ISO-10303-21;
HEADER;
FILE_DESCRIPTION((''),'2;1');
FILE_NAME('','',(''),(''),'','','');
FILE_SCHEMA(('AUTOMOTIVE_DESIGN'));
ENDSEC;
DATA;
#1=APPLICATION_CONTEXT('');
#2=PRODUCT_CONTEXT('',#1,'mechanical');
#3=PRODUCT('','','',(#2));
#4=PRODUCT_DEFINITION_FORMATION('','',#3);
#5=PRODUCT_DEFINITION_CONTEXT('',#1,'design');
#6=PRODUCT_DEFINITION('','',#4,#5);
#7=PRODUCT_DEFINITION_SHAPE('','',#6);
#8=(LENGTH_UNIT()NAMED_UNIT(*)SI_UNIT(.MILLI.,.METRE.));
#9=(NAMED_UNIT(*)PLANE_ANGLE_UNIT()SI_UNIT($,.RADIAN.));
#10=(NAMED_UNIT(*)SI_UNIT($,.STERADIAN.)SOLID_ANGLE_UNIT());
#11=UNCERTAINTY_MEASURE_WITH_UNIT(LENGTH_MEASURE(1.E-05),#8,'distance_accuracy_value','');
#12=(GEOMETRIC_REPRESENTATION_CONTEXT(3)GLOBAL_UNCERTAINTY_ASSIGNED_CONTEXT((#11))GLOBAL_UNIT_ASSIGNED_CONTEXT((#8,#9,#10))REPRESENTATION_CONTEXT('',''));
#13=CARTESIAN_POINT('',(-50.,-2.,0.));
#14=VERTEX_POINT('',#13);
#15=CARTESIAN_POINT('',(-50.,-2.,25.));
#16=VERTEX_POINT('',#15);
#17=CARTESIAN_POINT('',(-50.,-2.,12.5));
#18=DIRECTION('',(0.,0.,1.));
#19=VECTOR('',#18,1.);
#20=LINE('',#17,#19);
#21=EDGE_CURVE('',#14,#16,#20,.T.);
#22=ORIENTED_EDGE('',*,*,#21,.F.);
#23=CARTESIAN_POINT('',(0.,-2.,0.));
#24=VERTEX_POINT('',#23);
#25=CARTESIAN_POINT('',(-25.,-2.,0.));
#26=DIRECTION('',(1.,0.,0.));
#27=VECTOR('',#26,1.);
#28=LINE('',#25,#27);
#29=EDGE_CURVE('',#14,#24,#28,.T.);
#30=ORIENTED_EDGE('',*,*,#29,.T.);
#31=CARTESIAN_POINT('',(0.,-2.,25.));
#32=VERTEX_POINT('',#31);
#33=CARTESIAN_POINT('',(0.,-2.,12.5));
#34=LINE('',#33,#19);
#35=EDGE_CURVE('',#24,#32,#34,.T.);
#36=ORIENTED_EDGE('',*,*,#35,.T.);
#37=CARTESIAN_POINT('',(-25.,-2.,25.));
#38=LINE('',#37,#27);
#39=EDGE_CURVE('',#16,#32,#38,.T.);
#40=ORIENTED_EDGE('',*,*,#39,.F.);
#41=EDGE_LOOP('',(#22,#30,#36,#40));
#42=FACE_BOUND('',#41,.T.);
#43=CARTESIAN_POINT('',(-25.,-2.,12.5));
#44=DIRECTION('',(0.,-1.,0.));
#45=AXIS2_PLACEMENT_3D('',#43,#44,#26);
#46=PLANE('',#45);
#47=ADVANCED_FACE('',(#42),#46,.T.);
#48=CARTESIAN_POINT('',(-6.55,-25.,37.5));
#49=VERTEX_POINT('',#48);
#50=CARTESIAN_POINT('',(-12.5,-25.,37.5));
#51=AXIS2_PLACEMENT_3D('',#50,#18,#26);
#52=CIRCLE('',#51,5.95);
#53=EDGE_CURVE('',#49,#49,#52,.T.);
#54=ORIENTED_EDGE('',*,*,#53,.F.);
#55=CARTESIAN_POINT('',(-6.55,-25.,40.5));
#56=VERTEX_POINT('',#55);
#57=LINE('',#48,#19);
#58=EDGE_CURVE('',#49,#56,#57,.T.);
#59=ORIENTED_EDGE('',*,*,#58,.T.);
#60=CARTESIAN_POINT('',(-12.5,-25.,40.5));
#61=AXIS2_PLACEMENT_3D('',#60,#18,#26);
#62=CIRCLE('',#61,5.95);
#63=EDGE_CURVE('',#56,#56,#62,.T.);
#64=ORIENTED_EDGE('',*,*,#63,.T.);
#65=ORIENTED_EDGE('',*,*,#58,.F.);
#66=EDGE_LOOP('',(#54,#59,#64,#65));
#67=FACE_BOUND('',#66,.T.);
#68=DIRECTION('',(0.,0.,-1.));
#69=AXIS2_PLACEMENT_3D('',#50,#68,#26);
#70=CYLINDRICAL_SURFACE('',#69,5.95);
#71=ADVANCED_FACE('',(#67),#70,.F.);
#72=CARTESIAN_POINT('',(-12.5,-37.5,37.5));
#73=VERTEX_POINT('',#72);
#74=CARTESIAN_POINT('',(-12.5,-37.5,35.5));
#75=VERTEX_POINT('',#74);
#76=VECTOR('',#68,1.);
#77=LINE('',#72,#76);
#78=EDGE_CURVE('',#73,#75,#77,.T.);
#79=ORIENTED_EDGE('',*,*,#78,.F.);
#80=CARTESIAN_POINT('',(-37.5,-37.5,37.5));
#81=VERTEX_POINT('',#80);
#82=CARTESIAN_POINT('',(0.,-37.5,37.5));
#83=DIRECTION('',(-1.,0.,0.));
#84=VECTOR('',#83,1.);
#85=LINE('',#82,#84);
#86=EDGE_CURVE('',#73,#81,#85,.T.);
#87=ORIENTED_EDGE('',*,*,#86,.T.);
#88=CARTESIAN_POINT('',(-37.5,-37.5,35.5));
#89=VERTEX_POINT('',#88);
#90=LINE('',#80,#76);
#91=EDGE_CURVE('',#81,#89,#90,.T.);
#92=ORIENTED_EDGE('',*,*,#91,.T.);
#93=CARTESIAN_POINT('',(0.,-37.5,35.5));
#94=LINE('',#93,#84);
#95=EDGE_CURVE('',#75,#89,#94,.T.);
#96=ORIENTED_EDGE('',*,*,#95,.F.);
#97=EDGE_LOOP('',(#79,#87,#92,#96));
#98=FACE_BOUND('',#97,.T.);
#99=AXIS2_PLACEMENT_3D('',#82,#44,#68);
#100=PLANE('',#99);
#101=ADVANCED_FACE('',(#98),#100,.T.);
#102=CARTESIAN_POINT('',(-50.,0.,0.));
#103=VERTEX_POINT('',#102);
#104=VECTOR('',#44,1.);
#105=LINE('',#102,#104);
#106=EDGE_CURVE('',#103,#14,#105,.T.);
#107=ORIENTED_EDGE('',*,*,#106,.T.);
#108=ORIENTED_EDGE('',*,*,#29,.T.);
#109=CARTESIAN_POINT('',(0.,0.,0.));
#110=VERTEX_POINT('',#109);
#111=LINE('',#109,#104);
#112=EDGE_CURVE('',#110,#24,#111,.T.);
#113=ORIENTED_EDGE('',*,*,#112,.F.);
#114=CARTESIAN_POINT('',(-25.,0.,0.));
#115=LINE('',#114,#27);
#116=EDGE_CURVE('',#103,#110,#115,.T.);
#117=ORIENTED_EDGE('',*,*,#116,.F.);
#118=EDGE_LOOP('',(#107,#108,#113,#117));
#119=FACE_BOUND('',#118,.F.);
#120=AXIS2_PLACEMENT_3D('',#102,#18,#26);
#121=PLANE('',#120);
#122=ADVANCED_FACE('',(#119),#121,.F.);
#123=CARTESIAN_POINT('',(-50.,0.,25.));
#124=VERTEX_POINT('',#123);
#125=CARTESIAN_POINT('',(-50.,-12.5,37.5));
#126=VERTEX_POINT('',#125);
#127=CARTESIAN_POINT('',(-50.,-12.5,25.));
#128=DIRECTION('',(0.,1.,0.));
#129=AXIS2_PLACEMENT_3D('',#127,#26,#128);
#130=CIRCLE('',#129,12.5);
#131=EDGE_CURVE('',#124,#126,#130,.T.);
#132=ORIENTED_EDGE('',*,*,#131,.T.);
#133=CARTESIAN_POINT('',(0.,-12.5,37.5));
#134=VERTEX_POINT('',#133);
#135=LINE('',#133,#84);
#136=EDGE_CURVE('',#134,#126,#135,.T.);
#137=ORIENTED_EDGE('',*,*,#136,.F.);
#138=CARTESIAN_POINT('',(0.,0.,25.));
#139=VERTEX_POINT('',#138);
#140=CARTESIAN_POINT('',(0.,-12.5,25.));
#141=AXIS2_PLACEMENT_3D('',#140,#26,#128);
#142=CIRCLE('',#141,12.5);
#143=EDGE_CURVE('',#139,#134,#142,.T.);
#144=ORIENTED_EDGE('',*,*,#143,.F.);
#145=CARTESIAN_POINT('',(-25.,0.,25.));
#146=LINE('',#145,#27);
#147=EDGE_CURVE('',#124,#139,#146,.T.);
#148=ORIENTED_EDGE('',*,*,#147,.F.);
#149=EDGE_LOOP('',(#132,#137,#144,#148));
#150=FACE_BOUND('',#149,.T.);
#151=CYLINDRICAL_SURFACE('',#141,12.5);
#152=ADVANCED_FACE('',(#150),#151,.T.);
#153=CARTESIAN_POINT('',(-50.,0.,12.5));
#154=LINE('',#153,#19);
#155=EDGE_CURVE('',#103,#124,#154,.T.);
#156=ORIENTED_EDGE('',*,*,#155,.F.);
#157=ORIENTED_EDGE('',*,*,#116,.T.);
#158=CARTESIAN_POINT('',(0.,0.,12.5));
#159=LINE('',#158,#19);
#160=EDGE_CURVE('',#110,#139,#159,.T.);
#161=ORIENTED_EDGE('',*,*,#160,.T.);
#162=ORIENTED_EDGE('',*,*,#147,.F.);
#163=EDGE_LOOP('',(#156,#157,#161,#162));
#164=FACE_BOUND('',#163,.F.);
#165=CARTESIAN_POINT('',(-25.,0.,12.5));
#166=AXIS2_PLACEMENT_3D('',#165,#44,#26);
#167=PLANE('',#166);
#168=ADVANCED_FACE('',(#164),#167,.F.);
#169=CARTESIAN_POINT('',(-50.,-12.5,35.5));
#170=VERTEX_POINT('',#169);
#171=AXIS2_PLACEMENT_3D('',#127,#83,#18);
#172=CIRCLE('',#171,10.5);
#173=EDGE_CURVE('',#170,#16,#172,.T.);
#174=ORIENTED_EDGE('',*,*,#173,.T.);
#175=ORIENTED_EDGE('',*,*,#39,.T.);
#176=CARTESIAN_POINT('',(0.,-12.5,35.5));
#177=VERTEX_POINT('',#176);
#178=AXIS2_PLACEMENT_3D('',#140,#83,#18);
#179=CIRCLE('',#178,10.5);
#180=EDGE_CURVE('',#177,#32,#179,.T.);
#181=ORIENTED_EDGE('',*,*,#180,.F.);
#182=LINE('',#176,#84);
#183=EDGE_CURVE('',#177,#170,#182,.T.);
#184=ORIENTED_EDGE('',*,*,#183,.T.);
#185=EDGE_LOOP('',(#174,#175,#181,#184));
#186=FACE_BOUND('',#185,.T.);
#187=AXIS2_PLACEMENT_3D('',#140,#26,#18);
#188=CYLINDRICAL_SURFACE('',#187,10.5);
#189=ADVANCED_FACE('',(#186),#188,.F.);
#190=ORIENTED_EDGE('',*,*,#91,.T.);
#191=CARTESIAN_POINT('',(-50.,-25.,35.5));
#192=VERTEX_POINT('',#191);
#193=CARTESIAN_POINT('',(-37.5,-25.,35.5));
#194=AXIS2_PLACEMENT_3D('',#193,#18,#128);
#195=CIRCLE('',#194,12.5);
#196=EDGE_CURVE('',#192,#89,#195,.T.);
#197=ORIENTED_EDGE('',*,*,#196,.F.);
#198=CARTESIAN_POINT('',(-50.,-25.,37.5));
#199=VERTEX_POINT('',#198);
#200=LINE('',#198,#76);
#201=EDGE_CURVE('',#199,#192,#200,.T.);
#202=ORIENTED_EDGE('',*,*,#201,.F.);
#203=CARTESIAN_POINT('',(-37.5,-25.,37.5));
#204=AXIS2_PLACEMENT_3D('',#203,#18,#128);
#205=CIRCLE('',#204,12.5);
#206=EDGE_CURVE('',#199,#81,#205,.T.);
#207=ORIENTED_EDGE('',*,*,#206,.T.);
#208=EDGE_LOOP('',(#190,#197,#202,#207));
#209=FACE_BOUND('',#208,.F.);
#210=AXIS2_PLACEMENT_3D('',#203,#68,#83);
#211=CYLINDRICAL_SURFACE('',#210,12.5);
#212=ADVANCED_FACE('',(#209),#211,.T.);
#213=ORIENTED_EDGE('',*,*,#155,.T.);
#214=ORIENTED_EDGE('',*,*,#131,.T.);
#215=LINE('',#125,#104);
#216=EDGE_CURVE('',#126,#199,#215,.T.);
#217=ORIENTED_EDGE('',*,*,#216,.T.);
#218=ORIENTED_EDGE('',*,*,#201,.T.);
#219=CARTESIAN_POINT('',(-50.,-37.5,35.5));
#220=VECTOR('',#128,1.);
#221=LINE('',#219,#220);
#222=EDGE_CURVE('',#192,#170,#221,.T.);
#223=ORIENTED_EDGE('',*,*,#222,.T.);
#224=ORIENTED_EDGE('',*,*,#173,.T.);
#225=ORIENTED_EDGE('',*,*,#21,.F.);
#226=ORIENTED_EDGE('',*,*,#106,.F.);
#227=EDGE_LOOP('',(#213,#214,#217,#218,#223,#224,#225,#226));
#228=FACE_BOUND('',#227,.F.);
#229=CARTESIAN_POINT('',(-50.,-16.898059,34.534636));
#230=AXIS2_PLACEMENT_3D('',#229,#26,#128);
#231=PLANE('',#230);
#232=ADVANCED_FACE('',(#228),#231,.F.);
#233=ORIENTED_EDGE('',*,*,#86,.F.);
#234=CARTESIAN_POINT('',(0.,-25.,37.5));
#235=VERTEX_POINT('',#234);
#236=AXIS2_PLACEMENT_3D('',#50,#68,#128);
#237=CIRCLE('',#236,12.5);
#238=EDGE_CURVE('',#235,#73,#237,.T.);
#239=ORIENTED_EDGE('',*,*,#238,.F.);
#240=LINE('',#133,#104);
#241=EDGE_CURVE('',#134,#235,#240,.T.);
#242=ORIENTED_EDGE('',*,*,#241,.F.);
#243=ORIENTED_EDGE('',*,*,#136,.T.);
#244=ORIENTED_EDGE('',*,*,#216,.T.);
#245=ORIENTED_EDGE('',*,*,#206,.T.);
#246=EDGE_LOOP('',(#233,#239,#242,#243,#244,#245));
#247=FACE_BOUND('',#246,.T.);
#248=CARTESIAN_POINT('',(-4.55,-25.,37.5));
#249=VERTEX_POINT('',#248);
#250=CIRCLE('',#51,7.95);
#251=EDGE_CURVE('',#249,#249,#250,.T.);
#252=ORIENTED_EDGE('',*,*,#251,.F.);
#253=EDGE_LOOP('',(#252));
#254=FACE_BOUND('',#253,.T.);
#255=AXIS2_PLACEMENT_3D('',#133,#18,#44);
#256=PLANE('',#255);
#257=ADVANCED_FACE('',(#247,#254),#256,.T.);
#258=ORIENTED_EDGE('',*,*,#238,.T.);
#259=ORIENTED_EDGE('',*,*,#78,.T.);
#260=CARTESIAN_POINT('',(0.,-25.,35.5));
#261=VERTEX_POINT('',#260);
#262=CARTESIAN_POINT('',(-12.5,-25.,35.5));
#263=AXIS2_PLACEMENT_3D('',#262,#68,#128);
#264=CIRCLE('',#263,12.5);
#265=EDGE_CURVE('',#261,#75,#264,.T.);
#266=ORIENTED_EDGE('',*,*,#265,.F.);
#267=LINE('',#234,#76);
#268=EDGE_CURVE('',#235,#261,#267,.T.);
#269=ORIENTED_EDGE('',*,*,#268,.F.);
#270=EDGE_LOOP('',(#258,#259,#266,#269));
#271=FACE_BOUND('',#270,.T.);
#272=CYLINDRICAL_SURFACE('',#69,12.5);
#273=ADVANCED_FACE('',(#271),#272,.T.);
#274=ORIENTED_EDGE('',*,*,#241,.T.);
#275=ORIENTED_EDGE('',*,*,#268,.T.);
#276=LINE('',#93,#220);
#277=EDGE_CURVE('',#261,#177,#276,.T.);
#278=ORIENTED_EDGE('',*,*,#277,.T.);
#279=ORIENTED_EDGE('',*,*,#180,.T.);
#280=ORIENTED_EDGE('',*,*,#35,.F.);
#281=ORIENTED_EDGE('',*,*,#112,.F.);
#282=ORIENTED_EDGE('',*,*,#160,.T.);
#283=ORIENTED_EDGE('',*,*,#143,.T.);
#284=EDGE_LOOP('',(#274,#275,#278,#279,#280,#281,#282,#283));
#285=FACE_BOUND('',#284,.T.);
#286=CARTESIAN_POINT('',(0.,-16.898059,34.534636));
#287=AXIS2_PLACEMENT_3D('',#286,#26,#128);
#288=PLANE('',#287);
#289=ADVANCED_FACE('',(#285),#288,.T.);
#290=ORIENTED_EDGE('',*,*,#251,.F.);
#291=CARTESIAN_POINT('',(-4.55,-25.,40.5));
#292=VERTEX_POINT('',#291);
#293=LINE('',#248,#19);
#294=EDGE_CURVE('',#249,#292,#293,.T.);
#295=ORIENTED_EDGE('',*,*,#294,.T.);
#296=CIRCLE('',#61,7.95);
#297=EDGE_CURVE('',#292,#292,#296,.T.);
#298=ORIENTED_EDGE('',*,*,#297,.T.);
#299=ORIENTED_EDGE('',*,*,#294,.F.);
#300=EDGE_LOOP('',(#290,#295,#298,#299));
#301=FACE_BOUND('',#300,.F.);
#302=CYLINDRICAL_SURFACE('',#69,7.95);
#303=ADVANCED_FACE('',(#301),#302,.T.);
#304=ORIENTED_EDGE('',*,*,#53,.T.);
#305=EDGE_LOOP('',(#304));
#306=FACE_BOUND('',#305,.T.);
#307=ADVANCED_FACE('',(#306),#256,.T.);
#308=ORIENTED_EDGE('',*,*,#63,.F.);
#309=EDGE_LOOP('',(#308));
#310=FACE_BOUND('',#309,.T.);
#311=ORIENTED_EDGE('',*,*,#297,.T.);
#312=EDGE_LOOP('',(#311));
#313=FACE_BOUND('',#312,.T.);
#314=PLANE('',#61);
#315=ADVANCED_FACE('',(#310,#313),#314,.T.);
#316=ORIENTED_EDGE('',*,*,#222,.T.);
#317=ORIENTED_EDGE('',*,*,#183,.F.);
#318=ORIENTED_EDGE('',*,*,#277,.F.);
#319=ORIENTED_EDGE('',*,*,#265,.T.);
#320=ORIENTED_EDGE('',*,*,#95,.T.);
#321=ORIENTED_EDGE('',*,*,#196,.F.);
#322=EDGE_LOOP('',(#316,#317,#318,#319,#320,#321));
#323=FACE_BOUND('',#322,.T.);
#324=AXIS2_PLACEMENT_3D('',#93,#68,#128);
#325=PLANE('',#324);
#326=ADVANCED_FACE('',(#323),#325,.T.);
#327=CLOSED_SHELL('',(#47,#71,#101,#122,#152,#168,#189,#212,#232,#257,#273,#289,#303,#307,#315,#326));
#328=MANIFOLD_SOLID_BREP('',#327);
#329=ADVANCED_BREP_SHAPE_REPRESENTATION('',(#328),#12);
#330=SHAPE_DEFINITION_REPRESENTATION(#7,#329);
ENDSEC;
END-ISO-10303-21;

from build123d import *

# Parameters (mm, degrees)
F0_W     = 50
F0_H     = 25
F1_DEPTH = 2
F3_DEPTH = 50
F4_R     = 12.5
F5_R     = 7.95
F5_R_2   = 5.95
F6_DEPTH = 3


with BuildPart() as f1:
    # F0 (on Front) → F1 (new body)
    with BuildSketch(Plane.XZ):
        with Locations((-25, 12.5)):
            Rectangle(F0_W, F0_H)
    extrude(amount=F1_DEPTH)

    # F2 (on Right) → F3 (join, through all)
    with BuildSketch(Plane.YZ):
        with BuildLine():
            Line((-2, 25), (0, 25))
            ThreePointArc((0, 25), (-3.6611652352, 33.8388347648), (-12.5, 37.5))
            Line((-12.5, 37.5), (-37.5, 37.5))
            Line((-37.5, 37.5), (-37.5, 35.5))
            Line((-37.5, 35.5), (-12.5, 35.5))
            ThreePointArc((-12.5, 35.5), (-5.0753787975, 32.4246212025), (-2, 25))
        make_face()
    extrude(amount=-F3_DEPTH)

    # F4
    f4_edges = [f1.edges().sort_by_distance(p)[0] for p in [
        (-50, -37.5, 36.5),
        (0, -37.5, 36.5),
    ]]
    fillet(f4_edges, radius=F4_R)

    # F5 (on face) → F6 (join)
    with BuildSketch(Plane.XY.offset(37.5)):
        with Locations((-12.5, -25)):
            Circle(F5_R)
        with Locations((-12.5, -25)):
            Circle(F5_R_2, mode=Mode.SUBTRACT)
    extrude(amount=F6_DEPTH)


solid = f1.part
